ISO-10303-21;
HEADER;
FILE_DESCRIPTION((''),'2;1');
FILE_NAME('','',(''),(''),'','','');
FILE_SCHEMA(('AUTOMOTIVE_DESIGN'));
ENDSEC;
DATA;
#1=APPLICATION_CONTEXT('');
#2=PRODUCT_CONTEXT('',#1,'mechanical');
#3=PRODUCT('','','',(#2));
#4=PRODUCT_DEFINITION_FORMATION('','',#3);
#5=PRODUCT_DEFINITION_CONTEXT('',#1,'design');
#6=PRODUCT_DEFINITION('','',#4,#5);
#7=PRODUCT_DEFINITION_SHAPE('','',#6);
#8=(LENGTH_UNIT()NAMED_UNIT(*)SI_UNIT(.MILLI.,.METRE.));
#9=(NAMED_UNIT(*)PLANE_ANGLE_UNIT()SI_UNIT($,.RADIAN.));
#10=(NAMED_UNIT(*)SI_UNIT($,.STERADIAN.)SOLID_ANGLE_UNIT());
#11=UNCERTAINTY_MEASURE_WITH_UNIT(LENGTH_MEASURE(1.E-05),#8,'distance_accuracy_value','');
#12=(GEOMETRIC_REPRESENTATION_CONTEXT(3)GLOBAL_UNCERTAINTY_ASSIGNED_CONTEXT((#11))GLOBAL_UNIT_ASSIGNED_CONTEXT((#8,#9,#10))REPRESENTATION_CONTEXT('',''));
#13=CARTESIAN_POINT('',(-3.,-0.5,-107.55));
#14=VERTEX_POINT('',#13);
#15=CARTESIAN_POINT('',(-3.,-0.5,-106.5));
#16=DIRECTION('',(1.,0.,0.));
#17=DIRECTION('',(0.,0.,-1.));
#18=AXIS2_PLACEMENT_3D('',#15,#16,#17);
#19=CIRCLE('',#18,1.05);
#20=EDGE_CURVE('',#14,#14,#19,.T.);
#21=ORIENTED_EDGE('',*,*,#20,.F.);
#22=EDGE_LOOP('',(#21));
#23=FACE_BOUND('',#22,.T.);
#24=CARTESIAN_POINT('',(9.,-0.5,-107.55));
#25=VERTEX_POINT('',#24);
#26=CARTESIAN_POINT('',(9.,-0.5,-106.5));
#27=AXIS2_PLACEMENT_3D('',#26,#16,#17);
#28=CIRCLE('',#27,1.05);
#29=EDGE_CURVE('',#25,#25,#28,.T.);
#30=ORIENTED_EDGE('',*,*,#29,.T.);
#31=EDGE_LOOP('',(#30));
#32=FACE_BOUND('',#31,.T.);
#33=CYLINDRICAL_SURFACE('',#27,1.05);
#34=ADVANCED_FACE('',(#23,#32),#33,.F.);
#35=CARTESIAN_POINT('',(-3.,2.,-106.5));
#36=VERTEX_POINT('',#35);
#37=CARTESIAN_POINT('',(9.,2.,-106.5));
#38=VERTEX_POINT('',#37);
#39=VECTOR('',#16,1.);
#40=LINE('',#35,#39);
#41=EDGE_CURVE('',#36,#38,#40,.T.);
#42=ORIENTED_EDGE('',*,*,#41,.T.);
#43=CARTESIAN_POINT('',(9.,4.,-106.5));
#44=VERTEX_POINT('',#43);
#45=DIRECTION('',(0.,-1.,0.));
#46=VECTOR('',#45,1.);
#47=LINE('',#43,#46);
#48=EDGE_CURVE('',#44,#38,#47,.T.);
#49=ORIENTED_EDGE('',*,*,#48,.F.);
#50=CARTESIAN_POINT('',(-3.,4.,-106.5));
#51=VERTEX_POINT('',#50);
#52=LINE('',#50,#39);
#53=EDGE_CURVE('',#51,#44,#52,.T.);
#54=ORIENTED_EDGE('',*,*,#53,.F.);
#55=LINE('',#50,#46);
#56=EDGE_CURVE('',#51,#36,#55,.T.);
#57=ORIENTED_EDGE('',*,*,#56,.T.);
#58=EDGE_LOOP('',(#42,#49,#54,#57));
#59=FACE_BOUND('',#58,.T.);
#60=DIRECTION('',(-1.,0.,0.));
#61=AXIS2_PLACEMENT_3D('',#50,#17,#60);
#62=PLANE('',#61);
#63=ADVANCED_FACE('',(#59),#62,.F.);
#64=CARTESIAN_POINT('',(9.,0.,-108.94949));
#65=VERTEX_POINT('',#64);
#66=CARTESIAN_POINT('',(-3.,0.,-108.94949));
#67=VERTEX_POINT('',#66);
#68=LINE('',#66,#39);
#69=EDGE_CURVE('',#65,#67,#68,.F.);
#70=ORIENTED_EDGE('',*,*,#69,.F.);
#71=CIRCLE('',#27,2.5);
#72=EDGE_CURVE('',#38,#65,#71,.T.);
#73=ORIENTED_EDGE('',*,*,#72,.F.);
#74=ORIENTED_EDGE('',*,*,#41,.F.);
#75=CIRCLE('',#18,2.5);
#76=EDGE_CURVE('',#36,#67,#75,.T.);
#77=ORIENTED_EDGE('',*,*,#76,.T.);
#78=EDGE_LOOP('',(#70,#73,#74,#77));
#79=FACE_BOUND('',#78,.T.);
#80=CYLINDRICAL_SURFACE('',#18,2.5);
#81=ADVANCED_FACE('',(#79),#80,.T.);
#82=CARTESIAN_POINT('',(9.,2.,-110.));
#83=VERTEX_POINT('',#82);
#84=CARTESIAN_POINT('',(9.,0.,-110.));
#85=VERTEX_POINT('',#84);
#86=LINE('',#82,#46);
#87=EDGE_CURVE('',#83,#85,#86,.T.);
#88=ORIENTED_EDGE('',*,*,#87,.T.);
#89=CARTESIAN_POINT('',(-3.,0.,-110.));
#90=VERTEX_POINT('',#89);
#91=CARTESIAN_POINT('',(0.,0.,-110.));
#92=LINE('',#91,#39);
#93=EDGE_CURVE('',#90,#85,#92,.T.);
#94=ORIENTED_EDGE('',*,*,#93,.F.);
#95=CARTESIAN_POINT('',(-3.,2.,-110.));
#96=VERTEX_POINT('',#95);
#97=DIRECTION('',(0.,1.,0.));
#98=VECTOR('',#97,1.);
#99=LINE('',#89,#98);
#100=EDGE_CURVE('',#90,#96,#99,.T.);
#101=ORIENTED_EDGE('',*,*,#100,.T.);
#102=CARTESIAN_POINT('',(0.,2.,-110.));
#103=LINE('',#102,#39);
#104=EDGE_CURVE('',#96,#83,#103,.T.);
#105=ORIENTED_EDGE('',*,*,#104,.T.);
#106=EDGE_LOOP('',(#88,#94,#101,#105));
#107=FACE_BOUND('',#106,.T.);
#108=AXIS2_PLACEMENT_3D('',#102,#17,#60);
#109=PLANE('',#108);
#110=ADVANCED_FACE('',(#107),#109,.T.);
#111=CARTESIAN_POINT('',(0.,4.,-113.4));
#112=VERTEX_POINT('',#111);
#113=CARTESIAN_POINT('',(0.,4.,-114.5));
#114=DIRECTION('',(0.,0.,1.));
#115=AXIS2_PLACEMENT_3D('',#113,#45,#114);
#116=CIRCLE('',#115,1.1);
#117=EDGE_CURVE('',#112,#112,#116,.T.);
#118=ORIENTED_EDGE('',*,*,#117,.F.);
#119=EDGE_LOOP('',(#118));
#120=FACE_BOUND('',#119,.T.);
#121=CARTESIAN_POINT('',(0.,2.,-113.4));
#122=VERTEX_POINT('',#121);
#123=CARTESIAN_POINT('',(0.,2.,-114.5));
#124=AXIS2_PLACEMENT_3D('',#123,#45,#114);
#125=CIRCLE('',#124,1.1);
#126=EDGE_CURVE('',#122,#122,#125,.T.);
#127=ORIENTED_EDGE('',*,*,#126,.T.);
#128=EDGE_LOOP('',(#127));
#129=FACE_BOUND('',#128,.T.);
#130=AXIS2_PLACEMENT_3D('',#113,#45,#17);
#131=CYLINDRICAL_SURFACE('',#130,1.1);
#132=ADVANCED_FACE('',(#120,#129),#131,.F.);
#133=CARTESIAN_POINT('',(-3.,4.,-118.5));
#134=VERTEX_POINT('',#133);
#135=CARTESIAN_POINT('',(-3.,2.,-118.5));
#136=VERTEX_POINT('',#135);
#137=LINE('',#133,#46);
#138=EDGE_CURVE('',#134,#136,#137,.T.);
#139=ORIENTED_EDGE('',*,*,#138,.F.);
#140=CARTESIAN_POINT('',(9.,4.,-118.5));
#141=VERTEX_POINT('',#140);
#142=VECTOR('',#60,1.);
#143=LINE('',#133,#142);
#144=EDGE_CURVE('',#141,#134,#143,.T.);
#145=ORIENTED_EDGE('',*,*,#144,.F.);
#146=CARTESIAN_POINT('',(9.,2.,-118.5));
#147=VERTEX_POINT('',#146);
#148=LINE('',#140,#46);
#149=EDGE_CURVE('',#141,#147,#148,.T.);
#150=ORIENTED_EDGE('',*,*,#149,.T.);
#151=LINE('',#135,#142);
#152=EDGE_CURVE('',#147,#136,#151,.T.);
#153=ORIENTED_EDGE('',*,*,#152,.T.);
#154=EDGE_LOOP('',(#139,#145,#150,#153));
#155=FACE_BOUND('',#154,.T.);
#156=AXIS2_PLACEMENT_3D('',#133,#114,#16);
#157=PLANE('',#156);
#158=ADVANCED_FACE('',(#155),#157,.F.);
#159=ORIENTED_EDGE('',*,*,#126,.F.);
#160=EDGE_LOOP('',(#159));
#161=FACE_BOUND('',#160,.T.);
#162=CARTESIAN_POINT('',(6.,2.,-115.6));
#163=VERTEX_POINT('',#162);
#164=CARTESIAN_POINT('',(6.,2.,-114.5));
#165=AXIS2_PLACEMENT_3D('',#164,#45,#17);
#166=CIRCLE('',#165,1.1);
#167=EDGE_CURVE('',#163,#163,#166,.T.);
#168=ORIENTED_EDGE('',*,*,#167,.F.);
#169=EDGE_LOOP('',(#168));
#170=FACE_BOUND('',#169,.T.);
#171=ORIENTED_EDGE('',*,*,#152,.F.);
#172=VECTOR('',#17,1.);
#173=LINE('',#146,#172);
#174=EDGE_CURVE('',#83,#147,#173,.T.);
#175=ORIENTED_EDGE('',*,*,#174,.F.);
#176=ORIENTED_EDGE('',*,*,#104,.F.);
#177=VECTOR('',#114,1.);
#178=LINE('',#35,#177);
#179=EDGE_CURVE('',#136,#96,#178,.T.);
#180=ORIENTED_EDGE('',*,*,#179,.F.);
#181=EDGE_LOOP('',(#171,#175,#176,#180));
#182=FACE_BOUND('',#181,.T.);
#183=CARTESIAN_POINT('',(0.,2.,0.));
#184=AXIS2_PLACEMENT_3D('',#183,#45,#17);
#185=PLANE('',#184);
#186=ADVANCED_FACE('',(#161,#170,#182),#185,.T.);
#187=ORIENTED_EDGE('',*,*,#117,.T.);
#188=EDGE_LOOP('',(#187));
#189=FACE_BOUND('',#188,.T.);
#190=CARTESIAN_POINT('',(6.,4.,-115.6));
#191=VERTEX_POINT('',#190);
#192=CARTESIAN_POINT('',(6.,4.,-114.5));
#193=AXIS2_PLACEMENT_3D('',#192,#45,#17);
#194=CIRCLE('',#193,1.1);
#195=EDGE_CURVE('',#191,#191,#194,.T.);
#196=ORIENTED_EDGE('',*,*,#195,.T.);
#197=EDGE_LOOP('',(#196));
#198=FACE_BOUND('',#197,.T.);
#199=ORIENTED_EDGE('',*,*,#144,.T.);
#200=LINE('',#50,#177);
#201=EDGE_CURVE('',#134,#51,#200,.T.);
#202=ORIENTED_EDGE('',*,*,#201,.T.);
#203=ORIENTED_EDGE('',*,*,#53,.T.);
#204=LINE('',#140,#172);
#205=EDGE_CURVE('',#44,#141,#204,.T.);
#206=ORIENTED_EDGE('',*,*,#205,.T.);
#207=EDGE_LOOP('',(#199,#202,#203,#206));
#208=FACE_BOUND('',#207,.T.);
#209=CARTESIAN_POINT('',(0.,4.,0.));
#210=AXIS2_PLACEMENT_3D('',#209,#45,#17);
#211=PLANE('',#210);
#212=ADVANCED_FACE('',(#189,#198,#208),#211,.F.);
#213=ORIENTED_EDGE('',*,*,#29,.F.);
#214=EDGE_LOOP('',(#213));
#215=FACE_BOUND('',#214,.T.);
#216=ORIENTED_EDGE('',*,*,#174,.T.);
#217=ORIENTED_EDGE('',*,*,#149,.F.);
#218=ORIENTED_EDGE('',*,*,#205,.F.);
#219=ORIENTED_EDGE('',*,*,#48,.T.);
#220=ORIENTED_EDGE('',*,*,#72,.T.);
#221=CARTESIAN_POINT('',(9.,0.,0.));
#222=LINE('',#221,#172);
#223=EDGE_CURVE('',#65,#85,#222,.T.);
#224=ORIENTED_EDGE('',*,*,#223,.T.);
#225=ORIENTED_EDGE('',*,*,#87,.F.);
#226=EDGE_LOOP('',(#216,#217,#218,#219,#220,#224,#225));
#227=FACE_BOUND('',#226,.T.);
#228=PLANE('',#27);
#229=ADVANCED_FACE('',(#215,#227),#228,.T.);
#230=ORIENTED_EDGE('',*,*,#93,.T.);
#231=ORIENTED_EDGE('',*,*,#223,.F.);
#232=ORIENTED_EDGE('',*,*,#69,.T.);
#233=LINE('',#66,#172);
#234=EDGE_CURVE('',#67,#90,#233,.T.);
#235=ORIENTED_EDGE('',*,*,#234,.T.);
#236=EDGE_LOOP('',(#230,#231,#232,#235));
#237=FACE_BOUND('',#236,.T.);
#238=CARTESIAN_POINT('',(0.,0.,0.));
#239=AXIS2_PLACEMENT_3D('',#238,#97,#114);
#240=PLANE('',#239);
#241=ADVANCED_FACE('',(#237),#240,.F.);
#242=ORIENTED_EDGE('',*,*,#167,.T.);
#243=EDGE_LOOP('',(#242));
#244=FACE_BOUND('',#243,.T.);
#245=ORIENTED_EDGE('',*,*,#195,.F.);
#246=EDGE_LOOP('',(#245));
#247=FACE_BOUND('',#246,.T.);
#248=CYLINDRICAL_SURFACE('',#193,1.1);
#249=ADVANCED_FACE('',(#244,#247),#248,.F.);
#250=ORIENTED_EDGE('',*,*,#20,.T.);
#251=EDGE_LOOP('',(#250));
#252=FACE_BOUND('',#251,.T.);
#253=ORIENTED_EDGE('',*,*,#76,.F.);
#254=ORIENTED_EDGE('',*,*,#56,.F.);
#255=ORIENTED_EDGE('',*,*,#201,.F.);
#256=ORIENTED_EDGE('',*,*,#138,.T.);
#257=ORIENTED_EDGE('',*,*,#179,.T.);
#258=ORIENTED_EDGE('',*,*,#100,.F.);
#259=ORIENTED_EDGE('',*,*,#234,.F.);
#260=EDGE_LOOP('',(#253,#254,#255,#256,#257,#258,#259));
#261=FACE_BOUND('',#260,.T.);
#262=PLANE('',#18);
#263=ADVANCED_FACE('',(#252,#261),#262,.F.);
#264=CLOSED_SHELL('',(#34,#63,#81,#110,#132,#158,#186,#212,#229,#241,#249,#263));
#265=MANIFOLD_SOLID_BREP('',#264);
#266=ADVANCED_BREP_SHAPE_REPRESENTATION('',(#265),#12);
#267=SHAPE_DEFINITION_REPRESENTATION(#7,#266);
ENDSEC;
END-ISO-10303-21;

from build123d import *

# Parameters (mm, degrees)
SKETCH_1_W                      = 9.5
SKETCH_1_H                      = 13.25
EXTRUDE_1_DEPTH                 = 2
EXTRUDE_2_DEPTH                 = 12
PATTERN_LINEAR_1_COUNT          = 5
PATTERN_LINEAR_1_PITCH          = 22
HOLE_WIZARD_2_2_2_2_1_D         = 2.1
EXTRUDE_3_DEPTH                 = 12
SKETCH_7_W                      = 1.05
SKETCH_7_H                      = 15
EXTRUDE_4_DEPTH                 = 110
HOLE_WIZARD_2_0_2_2_D           = 2
HOLE_WIZARD_2_0_2_2_ON_FACE_2_D = 2
CUT_EXTRUDE_1_DEPTH             = 135.480746763
CUT_EXTRUDE_1_DEPTH_BACK        = 135.480746763
SKETCH_14_W                     = 52.846717088
SKETCH_14_H                     = 8
SKETCH19_W                      = 12
SKETCH19_H                      = 12
EXTRUDE23_DEPTH                 = 2
SKETCH20_R                      = 1.1
EXTRUDE24_DEPTH                 = 2
CUT_EXTRUDE_2_DEPTH             = 22
CUT_EXTRUDE_2_DEPTH_BACK        = 24
SKETCH_15_W                     = 124.248356878
SKETCH_15_H                     = 108.553418936
CUT_EXTRUDE_START               = -90
CUT_EXTRUDE_3_DEPTH             = 90
CUT_EXTRUDE_4_DEPTH             = 18
CUT_EXTRUDE_4_DEPTH_BACK        = 16
SKETCH_18_W                     = 34.927969389
SKETCH_18_H                     = 20.970488767


with BuildPart() as part:
    # 草图1 → 凸台-拉伸1 (new body)
    with BuildSketch(Plane(origin=(0, 0, 0), x_dir=(1, 0, 0), z_dir=(0, 1, 0))):
        Polygon((21.5, 0), (21.5, 110), (9, 110), (0, 101), (0, 0), align=None)
        Polygon((19.121320344, 101), (4.242640687, 101), (8.121320344, 104.878679656), (19.121320344, 104.878679656), align=None, mode=Mode.SUBTRACT)
        with Locations((10.75, 12.625)):
            Rectangle(SKETCH_1_W, SKETCH_1_H, mode=Mode.SUBTRACT)
        with Locations((10.75, 37.875)):
            Rectangle(SKETCH_1_W, SKETCH_1_H, mode=Mode.SUBTRACT)
        with Locations((10.75, 63.125)):
            Rectangle(SKETCH_1_W, SKETCH_1_H, mode=Mode.SUBTRACT)
        with Locations((10.75, 88.375)):
            Rectangle(SKETCH_1_W, SKETCH_1_H, mode=Mode.SUBTRACT)
    extrude(amount=EXTRUDE_1_DEPTH)

    # 草图2 → 凸台-拉伸2 (add)
    with BuildSketch(Plane(origin=(0, 0, -101), x_dir=(-1, 0, 0), z_dir=(0, 0, -1))):
        with BuildLine():
            Line((0, 2), (0, 0))
            Line((0, 0), (3.5, 0))
            ThreePointArc((3.5, 0), (5.08113883, 4.436491673), (1.050510257, 2))
            Line((1.050510257, 2), (0, 2))
        make_face()
    extrude_2 = extrude(amount=-EXTRUDE_2_DEPTH)

    # 阵列(线性)1: 凸台-拉伸2 ×5
    with Locations(*[(0, 0, i * PATTERN_LINEAR_1_PITCH) for i in range(1, PATTERN_LINEAR_1_COUNT)]):
        add(extrude_2)

    # Ø2.2 (2.2) 直径孔1 (through all)
    with Locations(Plane(origin=(0, 0, -101), x_dir=(-1, 0, 0), z_dir=(0, 0, -1))):
        with Locations((3.5, 2.5)):
            Hole(HOLE_WIZARD_2_2_2_2_1_D / 2)

    # 草图5 → 凸台-拉伸3 (add)
    with BuildSketch(Plane(origin=(9, 0, 0), x_dir=(0, 0, -1), z_dir=(1, 0, 0))):
        with BuildLine():
            Line((108.949489743, 0), (110, 0))
            Line((110, 0), (110, 2))
            Line((110, 2), (106.5, 2))
            ThreePointArc((106.5, 2), (104.91886117, -2.436491673), (108.949489743, 0))
        make_face()
    extrude(amount=-EXTRUDE_3_DEPTH)

    # 草图7 → Ø2.2 (2.2) 直径孔2 (revolve, cut)
    with BuildSketch(Plane(origin=(9, -0.5, -106.5), x_dir=(0, 0, -1), z_dir=(0, 1, 0))):
        with Locations((0.525, 7.5)):
            Rectangle(SKETCH_7_W, SKETCH_7_H)
    revolve(axis=Axis((15.35, -0.5, -106.5), (-1, 0, 0)), mode=Mode.SUBTRACT)

    # 草图8 → 凸台-拉伸4 (add)
    with BuildSketch(Plane.XY):
        with BuildLine():
            ThreePointArc((31.5, 0), (34.178784027, 0.532843272), (36.449747468, 2.050252532))
            Line((36.449747468, 2.050252532), (39.577164466, 5.17766953))
            ThreePointArc((39.577164466, 5.17766953), (57.254833996, 12.5), (74.932503526, 5.17766953))
            Line((74.932503526, 5.17766953), (76.346717088, 6.591883092))
            ThreePointArc((76.346717088, 6.591883092), (57.254833996, 14.5), (38.162950904, 6.591883092))
            Line((38.162950904, 6.591883092), (35.035533906, 3.464466094))
            ThreePointArc((35.035533906, 3.464466094), (33.413417162, 2.380602337), (31.5, 2))
            Line((31.5, 2), (21.5, 2))
            Line((21.5, 2), (21.5, 0))
            Line((21.5, 0), (31.5, 0))
        make_face()
    extrude(amount=-EXTRUDE_4_DEPTH)

    # Ø2.0 (2) 直径孔2 (through all)
    with Locations(Plane(origin=(66.489377866, 12.871700761, -5), x_dir=(0.939692620786, -0.342020143326, 0), z_dir=(0.342020143326, 0.939692620786, 0))):
        with Locations((0, 0)):
            Hole(HOLE_WIZARD_2_0_2_2_D / 2)

    # Ø2.0 (2) 直径孔2 on face 2 (through all)
    with Locations(Plane(origin=(66.489377866, 12.871700761, -52), x_dir=(0.939692711209, -0.342019894889, 0), z_dir=(0.342019894889, 0.939692711209, 0))):
        with Locations((0, 0)):
            Hole(HOLE_WIZARD_2_0_2_2_ON_FACE_2_D / 2)

    # 草图14 → 切除-拉伸1 (cut, two sides: drawn at the far end of the back side and taken through both)
    with BuildSketch(Plane(origin=(0, 2, 0), x_dir=(1, 0, 0), z_dir=(0, 1, 0)).offset(-CUT_EXTRUDE_1_DEPTH_BACK)):
        with BuildLine():
            add(Edge.make_bspline(
                [(65.543349365, 5), (65.543349365, 4.867858182), (65.568139282, 4.738193315), (65.663651177, 4.49599396), (65.734288369, 4.385069362), (65.909329104, 4.20058787), (66.014984918, 4.126085586), (66.242291721, 4.026337096), (66.366299142, 4.000069682), (66.611454679, 3.999930602), (66.734292904, 4.025809235), (66.960669981, 4.125923854), (67.063423157, 4.199243917), (67.237262204, 4.385832013), (67.305425299, 4.495895945), (67.398649167, 4.738239585), (67.422691544, 4.869119898), (67.422777552, 5.130169285), (67.398544475, 5.261724961), (67.306168595, 5.502477284), (67.237041074, 5.614131138), (67.065581718, 5.798710334), (66.962099904, 5.873181003), (66.736029766, 5.973681753), (66.61428089, 5.999865952), (66.366377399, 6.000133023), (66.24402893, 5.974291959), (66.014886358, 5.874003493), (65.90992169, 5.799906628), (65.647004042, 5.52319771), (65.543349365, 5.264283637), (65.543349365, 5)],
                knots=[0, 0, 0, 0, 0.0625, 0.0625, 0.125, 0.125, 0.1875, 0.1875, 0.25, 0.25, 0.3125, 0.3125, 0.375, 0.375, 0.4375, 0.4375, 0.5, 0.5, 0.5625, 0.5625, 0.625, 0.625, 0.6875, 0.6875, 0.75, 0.75, 0.8125, 0.8125, 0.875, 0.875, 1, 1, 1, 1], degree=3))
        make_face()
        with Locations((46.923358544, 14)):
            Rectangle(SKETCH_14_W, SKETCH_14_H)
        with Locations((46.923358544, 61)):
            Rectangle(SKETCH_14_W, SKETCH_14_H)
    extrude(amount=CUT_EXTRUDE_1_DEPTH + CUT_EXTRUDE_1_DEPTH_BACK, mode=Mode.SUBTRACT)

    # Sketch19 → Extrude23 (add)
    with BuildSketch(Plane(origin=(0, 2, 0), x_dir=(1, 0, 0), z_dir=(0, 1, 0))):
        with Locations((3, 112.5)):
            Rectangle(SKETCH19_W, SKETCH19_H)
    extrude(amount=EXTRUDE23_DEPTH)

    # Sketch20 → Extrude24 (cut)
    with BuildSketch(Plane(origin=(0, 2, 0), x_dir=(-1, 0, 0), z_dir=(0, -1, 0))):
        with Locations(Location((-6, 114.5, 0), (0, 0, 90))):
            Circle(SKETCH20_R)
        with Locations(Location((0, 114.5, 0), (0, 0, 270))):
            Circle(SKETCH20_R)
    extrude(amount=-EXTRUDE24_DEPTH, mode=Mode.SUBTRACT)

    # 草图15 → 切除-拉伸2 (cut, two sides: drawn at the far end of the back side and taken through both)
    with BuildSketch(Plane(origin=(0, 2, 0), x_dir=(1, 0, 0), z_dir=(0, 1, 0)).offset(-CUT_EXTRUDE_2_DEPTH_BACK)):
        with Locations((56.124178439, 46.723290532)):
            Rectangle(SKETCH_15_W, SKETCH_15_H)
    extrude(amount=CUT_EXTRUDE_2_DEPTH + CUT_EXTRUDE_2_DEPTH_BACK, mode=Mode.SUBTRACT)

    # 草图17 → 切除-拉伸3 (cut)
    with BuildSketch(Plane.ZY.offset(3).offset(CUT_EXTRUDE_START)):
        with BuildLine():
            Line((-106.5, 2), (-106.5, 4))
            Line((-106.5, 4), (-110, 4))
            Line((-110, 4), (-110, 14.5))
            Line((-110, 14.5), (-101, 14.5))
            Line((-101, 14.5), (-101, 0))
            Line((-101, 0), (-104.050510257, 0))
            ThreePointArc((-104.050510257, 0), (-104.91886117, 1.436491673), (-106.5, 2))
        make_face()
    extrude(amount=CUT_EXTRUDE_3_DEPTH, mode=Mode.SUBTRACT)

    # 草图18 → 切除-拉伸4 (cut, two sides: drawn at the far end of the back side and taken through both)
    with BuildSketch(Plane(origin=(0, 4, 0), x_dir=(1, 0, 0), z_dir=(0, 1, 0)).offset(-CUT_EXTRUDE_4_DEPTH_BACK)):
        with Locations((26.463984695, 108.014755617)):
            Rectangle(SKETCH_18_W, SKETCH_18_H)
    extrude(amount=CUT_EXTRUDE_4_DEPTH + CUT_EXTRUDE_4_DEPTH_BACK, mode=Mode.SUBTRACT)


solid = part.part
